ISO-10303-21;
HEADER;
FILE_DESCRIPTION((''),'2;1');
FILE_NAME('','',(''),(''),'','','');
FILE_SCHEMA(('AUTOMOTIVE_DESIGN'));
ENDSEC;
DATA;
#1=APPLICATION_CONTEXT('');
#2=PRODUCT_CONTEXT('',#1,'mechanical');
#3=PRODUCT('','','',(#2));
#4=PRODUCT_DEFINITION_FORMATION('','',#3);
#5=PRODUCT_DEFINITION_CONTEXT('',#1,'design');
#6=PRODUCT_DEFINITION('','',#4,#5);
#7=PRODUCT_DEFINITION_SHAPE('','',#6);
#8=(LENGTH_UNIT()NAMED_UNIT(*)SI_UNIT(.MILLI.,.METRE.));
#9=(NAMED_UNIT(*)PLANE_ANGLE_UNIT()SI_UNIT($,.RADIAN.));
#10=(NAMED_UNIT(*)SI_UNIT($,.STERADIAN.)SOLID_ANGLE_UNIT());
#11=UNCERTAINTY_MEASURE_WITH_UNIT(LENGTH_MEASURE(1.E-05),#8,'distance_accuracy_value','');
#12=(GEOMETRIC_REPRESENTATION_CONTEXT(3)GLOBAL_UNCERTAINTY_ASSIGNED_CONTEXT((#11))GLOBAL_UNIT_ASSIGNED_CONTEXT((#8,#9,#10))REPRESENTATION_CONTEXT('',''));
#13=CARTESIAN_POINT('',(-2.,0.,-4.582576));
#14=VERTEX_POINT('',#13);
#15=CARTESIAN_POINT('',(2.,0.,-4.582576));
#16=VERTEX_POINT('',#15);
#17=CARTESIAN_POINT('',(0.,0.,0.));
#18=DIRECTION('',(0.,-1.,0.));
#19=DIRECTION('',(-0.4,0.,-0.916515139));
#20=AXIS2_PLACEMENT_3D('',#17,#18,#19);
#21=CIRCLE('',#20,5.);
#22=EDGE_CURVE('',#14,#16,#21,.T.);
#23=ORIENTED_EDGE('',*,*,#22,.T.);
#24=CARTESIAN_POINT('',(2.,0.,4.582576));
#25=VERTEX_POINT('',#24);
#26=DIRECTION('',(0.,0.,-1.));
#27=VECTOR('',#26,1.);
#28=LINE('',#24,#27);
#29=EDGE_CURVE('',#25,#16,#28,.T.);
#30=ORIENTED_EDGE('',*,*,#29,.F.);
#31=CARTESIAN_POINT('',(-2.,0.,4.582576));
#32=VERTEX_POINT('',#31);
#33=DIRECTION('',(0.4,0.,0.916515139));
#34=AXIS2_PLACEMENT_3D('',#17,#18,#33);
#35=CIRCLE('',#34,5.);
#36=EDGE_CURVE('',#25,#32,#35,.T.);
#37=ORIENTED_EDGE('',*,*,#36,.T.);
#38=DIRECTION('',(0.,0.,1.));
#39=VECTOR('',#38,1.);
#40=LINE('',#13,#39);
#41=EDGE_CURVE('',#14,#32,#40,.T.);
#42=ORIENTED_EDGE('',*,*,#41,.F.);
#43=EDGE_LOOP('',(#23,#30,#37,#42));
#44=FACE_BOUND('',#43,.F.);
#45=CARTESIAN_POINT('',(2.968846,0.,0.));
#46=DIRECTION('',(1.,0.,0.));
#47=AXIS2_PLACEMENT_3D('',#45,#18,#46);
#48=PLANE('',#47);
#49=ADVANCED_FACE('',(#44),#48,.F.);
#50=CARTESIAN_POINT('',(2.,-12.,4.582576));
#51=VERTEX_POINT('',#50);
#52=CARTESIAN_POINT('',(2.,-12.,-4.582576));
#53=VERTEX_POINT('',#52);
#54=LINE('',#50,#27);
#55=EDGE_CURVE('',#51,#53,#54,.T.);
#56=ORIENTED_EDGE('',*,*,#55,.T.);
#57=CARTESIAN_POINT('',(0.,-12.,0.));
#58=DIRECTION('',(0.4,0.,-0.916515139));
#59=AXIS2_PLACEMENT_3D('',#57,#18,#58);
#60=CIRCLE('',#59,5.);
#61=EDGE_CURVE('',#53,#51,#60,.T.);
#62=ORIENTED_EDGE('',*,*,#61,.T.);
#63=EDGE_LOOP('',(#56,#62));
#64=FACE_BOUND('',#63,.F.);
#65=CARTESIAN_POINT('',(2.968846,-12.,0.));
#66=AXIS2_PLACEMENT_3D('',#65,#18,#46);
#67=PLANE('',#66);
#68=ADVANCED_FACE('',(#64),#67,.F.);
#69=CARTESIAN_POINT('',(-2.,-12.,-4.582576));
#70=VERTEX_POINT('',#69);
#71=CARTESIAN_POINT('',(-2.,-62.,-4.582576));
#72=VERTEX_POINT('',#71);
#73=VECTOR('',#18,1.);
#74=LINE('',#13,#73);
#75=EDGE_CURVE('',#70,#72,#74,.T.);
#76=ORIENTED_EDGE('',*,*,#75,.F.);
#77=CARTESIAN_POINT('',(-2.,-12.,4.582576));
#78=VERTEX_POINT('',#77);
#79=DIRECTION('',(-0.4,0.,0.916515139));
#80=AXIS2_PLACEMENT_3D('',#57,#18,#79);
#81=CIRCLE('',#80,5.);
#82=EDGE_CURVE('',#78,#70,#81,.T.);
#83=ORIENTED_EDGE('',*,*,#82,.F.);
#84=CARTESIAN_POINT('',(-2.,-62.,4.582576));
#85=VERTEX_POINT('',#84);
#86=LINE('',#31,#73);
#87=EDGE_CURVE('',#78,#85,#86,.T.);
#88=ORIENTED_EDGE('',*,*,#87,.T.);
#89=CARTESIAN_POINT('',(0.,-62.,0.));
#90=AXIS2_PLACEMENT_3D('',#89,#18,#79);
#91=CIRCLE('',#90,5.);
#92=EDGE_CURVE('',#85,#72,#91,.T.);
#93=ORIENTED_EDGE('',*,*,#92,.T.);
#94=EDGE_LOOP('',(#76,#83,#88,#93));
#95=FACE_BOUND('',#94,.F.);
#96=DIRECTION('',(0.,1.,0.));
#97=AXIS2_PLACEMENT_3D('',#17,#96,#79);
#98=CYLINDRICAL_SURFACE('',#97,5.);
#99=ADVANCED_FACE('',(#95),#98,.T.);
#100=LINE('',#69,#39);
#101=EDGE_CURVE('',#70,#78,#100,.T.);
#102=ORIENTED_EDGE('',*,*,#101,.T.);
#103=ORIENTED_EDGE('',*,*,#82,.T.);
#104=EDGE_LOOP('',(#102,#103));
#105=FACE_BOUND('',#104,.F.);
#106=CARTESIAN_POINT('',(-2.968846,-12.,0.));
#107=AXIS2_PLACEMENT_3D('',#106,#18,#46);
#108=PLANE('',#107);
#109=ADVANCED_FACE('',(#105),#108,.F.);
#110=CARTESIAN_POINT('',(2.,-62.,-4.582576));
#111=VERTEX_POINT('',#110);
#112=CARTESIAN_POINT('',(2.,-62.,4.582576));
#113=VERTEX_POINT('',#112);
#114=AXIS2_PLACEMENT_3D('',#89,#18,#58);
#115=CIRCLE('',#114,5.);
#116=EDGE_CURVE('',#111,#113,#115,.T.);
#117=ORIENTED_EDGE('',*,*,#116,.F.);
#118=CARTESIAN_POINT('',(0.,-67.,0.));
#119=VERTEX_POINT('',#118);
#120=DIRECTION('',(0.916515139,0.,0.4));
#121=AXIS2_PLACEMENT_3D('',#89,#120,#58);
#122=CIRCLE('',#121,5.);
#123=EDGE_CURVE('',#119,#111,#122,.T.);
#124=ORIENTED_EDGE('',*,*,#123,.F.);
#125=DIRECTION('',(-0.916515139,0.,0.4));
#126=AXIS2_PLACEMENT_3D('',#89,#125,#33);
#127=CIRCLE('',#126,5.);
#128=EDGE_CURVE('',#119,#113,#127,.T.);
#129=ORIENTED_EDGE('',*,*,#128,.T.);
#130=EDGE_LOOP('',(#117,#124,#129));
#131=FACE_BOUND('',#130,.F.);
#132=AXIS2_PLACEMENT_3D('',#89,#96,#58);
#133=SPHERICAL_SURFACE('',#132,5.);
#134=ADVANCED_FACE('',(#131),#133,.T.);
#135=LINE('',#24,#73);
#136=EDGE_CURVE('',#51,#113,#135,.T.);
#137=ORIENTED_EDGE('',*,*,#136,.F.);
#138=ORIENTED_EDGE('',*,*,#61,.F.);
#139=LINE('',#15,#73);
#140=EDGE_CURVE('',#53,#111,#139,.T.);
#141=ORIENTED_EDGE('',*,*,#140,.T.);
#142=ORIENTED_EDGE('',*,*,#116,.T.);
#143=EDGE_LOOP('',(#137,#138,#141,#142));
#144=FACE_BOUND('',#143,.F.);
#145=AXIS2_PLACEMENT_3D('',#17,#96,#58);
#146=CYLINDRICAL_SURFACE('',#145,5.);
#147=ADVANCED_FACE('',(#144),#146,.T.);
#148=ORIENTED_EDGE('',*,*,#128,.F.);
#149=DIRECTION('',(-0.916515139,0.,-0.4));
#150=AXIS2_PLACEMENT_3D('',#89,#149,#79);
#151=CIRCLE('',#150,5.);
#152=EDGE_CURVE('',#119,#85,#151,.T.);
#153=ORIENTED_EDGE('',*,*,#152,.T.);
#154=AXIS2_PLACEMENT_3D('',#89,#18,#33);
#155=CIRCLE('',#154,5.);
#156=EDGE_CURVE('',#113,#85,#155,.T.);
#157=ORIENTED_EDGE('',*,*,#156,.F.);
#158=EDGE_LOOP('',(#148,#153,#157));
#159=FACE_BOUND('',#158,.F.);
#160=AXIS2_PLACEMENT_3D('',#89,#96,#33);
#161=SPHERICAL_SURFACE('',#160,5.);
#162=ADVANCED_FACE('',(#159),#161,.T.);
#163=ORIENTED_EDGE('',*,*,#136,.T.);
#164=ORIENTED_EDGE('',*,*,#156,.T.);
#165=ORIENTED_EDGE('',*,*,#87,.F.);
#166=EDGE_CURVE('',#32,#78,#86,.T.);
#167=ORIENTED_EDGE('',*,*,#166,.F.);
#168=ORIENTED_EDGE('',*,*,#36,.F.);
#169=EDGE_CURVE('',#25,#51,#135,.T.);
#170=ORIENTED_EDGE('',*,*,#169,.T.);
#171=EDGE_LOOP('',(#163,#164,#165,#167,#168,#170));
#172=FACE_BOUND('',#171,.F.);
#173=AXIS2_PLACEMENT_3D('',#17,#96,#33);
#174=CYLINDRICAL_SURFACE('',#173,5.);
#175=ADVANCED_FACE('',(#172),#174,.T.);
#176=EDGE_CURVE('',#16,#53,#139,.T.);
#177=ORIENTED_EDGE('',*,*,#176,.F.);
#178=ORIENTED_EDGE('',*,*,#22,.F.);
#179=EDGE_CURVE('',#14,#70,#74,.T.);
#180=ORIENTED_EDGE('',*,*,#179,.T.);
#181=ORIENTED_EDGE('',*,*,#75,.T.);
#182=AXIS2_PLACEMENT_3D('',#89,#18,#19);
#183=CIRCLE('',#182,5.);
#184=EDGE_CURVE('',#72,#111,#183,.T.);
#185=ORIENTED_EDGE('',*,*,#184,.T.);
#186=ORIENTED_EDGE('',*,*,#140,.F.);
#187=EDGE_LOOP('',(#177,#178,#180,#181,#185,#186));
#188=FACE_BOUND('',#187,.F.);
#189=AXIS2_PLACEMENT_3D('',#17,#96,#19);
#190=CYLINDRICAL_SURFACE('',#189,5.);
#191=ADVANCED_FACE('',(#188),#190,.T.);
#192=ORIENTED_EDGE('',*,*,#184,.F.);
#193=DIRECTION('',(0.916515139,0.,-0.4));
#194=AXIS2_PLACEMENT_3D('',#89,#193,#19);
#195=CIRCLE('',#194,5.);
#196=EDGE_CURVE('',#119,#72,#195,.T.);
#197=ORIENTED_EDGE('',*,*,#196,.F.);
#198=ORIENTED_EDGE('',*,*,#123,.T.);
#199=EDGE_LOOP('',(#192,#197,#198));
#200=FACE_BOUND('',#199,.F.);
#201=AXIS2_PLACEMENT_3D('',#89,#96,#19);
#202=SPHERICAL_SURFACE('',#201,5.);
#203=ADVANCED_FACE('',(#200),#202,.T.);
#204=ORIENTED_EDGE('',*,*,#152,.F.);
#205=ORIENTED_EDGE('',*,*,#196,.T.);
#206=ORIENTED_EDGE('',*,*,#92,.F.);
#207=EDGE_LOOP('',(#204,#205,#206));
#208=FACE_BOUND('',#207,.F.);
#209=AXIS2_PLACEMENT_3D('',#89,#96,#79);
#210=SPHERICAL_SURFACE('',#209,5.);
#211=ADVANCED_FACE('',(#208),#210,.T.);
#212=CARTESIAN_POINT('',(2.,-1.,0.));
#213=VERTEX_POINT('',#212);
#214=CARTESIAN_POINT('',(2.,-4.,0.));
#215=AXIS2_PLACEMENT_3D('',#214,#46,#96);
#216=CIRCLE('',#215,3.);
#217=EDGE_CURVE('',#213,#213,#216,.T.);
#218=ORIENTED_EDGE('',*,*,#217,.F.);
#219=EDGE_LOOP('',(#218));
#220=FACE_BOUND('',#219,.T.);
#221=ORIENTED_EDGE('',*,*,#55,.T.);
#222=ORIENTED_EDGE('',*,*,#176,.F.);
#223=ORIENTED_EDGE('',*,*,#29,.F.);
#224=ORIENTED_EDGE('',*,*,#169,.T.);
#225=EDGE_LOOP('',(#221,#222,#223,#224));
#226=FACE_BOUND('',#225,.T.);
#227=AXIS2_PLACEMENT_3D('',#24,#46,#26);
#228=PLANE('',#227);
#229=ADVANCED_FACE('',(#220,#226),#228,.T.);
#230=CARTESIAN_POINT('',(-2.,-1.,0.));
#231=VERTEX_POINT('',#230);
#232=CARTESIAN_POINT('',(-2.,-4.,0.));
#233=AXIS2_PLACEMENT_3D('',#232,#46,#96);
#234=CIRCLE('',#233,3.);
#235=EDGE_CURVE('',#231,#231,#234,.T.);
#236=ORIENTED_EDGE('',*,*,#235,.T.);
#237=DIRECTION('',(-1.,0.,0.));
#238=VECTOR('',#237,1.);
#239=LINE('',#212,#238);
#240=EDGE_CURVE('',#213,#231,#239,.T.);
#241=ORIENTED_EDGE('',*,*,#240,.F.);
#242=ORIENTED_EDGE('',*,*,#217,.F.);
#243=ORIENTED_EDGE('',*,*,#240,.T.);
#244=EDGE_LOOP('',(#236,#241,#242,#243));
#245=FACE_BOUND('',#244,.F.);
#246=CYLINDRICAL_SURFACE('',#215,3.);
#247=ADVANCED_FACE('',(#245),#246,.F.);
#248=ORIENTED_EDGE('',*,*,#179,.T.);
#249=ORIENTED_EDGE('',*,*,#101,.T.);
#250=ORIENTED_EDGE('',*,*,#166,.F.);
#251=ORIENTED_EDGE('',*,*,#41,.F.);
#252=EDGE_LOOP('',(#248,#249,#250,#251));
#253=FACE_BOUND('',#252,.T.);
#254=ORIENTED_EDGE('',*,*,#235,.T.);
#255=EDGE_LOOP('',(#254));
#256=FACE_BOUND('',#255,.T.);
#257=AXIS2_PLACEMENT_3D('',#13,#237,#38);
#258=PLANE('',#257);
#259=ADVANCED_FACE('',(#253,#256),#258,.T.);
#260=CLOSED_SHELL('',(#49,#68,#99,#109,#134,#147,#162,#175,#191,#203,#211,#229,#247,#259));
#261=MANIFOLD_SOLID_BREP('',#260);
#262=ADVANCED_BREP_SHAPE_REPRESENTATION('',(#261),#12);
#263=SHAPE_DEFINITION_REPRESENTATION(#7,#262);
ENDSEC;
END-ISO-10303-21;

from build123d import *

# Parameters (mm, degrees)
F2_DEPTH = 67
F3_DEPTH = 12
F4_R     = 3
F5_DEPTH = 25
F6_R     = 5


with BuildPart() as f2:
    # F1 (on Front) → F2 (new body)
    with BuildSketch(Plane.XZ):
        with BuildLine():
            ThreePointArc((2, -4.582575695), (4.1833001327, -2.7386127875), (5, 0))
            ThreePointArc((5, 0), (4.1833001327, 2.7386127875), (2, 4.582575695))
            Line((2, 4.582575695), (2, -4.582575695))
        make_face()
        with BuildLine():
            Line((2, -4.582575695), (2, 4.582575695))
            ThreePointArc((2, 4.582575695), (0, 5), (-2, 4.582575695))
            Line((-2, 4.582575695), (-2, -4.582575695))
            ThreePointArc((-2, -4.582575695), (0, -5), (2, -4.582575695))
        make_face()
        with BuildLine():
            Line((-2, -4.582575695), (-2, 4.582575695))
            ThreePointArc((-2, 4.582575695), (-5, 0), (-2, -4.582575695))
        make_face()
    extrude(amount=F2_DEPTH)

    # F1 (on Front) → F3 (cut)
    with BuildSketch(Plane.XZ):
        with BuildLine():
            Line((-2, -4.582575695), (-2, 4.582575695))
            ThreePointArc((-2, 4.582575695), (-5, 0), (-2, -4.582575695))
        make_face()
        with BuildLine():
            ThreePointArc((2, -4.582575695), (4.1833001327, -2.7386127875), (5, 0))
            ThreePointArc((5, 0), (4.1833001327, 2.7386127875), (2, 4.582575695))
            Line((2, 4.582575695), (2, -4.582575695))
        make_face()
    extrude(amount=F3_DEPTH, mode=Mode.SUBTRACT)

    # F4 (on face) → F5 (cut)
    with BuildSketch(Plane.YZ.offset(2)):
        with Locations((-4, 0)):
            Circle(F4_R)
    extrude(amount=-F5_DEPTH, mode=Mode.SUBTRACT)

    # F6
    f6_edges = [f2.edges().sort_by_distance(p)[0] for p in [
        (2, -67, -4.582576),
    ]]
    fillet(f6_edges, radius=F6_R)


solid = f2.part
